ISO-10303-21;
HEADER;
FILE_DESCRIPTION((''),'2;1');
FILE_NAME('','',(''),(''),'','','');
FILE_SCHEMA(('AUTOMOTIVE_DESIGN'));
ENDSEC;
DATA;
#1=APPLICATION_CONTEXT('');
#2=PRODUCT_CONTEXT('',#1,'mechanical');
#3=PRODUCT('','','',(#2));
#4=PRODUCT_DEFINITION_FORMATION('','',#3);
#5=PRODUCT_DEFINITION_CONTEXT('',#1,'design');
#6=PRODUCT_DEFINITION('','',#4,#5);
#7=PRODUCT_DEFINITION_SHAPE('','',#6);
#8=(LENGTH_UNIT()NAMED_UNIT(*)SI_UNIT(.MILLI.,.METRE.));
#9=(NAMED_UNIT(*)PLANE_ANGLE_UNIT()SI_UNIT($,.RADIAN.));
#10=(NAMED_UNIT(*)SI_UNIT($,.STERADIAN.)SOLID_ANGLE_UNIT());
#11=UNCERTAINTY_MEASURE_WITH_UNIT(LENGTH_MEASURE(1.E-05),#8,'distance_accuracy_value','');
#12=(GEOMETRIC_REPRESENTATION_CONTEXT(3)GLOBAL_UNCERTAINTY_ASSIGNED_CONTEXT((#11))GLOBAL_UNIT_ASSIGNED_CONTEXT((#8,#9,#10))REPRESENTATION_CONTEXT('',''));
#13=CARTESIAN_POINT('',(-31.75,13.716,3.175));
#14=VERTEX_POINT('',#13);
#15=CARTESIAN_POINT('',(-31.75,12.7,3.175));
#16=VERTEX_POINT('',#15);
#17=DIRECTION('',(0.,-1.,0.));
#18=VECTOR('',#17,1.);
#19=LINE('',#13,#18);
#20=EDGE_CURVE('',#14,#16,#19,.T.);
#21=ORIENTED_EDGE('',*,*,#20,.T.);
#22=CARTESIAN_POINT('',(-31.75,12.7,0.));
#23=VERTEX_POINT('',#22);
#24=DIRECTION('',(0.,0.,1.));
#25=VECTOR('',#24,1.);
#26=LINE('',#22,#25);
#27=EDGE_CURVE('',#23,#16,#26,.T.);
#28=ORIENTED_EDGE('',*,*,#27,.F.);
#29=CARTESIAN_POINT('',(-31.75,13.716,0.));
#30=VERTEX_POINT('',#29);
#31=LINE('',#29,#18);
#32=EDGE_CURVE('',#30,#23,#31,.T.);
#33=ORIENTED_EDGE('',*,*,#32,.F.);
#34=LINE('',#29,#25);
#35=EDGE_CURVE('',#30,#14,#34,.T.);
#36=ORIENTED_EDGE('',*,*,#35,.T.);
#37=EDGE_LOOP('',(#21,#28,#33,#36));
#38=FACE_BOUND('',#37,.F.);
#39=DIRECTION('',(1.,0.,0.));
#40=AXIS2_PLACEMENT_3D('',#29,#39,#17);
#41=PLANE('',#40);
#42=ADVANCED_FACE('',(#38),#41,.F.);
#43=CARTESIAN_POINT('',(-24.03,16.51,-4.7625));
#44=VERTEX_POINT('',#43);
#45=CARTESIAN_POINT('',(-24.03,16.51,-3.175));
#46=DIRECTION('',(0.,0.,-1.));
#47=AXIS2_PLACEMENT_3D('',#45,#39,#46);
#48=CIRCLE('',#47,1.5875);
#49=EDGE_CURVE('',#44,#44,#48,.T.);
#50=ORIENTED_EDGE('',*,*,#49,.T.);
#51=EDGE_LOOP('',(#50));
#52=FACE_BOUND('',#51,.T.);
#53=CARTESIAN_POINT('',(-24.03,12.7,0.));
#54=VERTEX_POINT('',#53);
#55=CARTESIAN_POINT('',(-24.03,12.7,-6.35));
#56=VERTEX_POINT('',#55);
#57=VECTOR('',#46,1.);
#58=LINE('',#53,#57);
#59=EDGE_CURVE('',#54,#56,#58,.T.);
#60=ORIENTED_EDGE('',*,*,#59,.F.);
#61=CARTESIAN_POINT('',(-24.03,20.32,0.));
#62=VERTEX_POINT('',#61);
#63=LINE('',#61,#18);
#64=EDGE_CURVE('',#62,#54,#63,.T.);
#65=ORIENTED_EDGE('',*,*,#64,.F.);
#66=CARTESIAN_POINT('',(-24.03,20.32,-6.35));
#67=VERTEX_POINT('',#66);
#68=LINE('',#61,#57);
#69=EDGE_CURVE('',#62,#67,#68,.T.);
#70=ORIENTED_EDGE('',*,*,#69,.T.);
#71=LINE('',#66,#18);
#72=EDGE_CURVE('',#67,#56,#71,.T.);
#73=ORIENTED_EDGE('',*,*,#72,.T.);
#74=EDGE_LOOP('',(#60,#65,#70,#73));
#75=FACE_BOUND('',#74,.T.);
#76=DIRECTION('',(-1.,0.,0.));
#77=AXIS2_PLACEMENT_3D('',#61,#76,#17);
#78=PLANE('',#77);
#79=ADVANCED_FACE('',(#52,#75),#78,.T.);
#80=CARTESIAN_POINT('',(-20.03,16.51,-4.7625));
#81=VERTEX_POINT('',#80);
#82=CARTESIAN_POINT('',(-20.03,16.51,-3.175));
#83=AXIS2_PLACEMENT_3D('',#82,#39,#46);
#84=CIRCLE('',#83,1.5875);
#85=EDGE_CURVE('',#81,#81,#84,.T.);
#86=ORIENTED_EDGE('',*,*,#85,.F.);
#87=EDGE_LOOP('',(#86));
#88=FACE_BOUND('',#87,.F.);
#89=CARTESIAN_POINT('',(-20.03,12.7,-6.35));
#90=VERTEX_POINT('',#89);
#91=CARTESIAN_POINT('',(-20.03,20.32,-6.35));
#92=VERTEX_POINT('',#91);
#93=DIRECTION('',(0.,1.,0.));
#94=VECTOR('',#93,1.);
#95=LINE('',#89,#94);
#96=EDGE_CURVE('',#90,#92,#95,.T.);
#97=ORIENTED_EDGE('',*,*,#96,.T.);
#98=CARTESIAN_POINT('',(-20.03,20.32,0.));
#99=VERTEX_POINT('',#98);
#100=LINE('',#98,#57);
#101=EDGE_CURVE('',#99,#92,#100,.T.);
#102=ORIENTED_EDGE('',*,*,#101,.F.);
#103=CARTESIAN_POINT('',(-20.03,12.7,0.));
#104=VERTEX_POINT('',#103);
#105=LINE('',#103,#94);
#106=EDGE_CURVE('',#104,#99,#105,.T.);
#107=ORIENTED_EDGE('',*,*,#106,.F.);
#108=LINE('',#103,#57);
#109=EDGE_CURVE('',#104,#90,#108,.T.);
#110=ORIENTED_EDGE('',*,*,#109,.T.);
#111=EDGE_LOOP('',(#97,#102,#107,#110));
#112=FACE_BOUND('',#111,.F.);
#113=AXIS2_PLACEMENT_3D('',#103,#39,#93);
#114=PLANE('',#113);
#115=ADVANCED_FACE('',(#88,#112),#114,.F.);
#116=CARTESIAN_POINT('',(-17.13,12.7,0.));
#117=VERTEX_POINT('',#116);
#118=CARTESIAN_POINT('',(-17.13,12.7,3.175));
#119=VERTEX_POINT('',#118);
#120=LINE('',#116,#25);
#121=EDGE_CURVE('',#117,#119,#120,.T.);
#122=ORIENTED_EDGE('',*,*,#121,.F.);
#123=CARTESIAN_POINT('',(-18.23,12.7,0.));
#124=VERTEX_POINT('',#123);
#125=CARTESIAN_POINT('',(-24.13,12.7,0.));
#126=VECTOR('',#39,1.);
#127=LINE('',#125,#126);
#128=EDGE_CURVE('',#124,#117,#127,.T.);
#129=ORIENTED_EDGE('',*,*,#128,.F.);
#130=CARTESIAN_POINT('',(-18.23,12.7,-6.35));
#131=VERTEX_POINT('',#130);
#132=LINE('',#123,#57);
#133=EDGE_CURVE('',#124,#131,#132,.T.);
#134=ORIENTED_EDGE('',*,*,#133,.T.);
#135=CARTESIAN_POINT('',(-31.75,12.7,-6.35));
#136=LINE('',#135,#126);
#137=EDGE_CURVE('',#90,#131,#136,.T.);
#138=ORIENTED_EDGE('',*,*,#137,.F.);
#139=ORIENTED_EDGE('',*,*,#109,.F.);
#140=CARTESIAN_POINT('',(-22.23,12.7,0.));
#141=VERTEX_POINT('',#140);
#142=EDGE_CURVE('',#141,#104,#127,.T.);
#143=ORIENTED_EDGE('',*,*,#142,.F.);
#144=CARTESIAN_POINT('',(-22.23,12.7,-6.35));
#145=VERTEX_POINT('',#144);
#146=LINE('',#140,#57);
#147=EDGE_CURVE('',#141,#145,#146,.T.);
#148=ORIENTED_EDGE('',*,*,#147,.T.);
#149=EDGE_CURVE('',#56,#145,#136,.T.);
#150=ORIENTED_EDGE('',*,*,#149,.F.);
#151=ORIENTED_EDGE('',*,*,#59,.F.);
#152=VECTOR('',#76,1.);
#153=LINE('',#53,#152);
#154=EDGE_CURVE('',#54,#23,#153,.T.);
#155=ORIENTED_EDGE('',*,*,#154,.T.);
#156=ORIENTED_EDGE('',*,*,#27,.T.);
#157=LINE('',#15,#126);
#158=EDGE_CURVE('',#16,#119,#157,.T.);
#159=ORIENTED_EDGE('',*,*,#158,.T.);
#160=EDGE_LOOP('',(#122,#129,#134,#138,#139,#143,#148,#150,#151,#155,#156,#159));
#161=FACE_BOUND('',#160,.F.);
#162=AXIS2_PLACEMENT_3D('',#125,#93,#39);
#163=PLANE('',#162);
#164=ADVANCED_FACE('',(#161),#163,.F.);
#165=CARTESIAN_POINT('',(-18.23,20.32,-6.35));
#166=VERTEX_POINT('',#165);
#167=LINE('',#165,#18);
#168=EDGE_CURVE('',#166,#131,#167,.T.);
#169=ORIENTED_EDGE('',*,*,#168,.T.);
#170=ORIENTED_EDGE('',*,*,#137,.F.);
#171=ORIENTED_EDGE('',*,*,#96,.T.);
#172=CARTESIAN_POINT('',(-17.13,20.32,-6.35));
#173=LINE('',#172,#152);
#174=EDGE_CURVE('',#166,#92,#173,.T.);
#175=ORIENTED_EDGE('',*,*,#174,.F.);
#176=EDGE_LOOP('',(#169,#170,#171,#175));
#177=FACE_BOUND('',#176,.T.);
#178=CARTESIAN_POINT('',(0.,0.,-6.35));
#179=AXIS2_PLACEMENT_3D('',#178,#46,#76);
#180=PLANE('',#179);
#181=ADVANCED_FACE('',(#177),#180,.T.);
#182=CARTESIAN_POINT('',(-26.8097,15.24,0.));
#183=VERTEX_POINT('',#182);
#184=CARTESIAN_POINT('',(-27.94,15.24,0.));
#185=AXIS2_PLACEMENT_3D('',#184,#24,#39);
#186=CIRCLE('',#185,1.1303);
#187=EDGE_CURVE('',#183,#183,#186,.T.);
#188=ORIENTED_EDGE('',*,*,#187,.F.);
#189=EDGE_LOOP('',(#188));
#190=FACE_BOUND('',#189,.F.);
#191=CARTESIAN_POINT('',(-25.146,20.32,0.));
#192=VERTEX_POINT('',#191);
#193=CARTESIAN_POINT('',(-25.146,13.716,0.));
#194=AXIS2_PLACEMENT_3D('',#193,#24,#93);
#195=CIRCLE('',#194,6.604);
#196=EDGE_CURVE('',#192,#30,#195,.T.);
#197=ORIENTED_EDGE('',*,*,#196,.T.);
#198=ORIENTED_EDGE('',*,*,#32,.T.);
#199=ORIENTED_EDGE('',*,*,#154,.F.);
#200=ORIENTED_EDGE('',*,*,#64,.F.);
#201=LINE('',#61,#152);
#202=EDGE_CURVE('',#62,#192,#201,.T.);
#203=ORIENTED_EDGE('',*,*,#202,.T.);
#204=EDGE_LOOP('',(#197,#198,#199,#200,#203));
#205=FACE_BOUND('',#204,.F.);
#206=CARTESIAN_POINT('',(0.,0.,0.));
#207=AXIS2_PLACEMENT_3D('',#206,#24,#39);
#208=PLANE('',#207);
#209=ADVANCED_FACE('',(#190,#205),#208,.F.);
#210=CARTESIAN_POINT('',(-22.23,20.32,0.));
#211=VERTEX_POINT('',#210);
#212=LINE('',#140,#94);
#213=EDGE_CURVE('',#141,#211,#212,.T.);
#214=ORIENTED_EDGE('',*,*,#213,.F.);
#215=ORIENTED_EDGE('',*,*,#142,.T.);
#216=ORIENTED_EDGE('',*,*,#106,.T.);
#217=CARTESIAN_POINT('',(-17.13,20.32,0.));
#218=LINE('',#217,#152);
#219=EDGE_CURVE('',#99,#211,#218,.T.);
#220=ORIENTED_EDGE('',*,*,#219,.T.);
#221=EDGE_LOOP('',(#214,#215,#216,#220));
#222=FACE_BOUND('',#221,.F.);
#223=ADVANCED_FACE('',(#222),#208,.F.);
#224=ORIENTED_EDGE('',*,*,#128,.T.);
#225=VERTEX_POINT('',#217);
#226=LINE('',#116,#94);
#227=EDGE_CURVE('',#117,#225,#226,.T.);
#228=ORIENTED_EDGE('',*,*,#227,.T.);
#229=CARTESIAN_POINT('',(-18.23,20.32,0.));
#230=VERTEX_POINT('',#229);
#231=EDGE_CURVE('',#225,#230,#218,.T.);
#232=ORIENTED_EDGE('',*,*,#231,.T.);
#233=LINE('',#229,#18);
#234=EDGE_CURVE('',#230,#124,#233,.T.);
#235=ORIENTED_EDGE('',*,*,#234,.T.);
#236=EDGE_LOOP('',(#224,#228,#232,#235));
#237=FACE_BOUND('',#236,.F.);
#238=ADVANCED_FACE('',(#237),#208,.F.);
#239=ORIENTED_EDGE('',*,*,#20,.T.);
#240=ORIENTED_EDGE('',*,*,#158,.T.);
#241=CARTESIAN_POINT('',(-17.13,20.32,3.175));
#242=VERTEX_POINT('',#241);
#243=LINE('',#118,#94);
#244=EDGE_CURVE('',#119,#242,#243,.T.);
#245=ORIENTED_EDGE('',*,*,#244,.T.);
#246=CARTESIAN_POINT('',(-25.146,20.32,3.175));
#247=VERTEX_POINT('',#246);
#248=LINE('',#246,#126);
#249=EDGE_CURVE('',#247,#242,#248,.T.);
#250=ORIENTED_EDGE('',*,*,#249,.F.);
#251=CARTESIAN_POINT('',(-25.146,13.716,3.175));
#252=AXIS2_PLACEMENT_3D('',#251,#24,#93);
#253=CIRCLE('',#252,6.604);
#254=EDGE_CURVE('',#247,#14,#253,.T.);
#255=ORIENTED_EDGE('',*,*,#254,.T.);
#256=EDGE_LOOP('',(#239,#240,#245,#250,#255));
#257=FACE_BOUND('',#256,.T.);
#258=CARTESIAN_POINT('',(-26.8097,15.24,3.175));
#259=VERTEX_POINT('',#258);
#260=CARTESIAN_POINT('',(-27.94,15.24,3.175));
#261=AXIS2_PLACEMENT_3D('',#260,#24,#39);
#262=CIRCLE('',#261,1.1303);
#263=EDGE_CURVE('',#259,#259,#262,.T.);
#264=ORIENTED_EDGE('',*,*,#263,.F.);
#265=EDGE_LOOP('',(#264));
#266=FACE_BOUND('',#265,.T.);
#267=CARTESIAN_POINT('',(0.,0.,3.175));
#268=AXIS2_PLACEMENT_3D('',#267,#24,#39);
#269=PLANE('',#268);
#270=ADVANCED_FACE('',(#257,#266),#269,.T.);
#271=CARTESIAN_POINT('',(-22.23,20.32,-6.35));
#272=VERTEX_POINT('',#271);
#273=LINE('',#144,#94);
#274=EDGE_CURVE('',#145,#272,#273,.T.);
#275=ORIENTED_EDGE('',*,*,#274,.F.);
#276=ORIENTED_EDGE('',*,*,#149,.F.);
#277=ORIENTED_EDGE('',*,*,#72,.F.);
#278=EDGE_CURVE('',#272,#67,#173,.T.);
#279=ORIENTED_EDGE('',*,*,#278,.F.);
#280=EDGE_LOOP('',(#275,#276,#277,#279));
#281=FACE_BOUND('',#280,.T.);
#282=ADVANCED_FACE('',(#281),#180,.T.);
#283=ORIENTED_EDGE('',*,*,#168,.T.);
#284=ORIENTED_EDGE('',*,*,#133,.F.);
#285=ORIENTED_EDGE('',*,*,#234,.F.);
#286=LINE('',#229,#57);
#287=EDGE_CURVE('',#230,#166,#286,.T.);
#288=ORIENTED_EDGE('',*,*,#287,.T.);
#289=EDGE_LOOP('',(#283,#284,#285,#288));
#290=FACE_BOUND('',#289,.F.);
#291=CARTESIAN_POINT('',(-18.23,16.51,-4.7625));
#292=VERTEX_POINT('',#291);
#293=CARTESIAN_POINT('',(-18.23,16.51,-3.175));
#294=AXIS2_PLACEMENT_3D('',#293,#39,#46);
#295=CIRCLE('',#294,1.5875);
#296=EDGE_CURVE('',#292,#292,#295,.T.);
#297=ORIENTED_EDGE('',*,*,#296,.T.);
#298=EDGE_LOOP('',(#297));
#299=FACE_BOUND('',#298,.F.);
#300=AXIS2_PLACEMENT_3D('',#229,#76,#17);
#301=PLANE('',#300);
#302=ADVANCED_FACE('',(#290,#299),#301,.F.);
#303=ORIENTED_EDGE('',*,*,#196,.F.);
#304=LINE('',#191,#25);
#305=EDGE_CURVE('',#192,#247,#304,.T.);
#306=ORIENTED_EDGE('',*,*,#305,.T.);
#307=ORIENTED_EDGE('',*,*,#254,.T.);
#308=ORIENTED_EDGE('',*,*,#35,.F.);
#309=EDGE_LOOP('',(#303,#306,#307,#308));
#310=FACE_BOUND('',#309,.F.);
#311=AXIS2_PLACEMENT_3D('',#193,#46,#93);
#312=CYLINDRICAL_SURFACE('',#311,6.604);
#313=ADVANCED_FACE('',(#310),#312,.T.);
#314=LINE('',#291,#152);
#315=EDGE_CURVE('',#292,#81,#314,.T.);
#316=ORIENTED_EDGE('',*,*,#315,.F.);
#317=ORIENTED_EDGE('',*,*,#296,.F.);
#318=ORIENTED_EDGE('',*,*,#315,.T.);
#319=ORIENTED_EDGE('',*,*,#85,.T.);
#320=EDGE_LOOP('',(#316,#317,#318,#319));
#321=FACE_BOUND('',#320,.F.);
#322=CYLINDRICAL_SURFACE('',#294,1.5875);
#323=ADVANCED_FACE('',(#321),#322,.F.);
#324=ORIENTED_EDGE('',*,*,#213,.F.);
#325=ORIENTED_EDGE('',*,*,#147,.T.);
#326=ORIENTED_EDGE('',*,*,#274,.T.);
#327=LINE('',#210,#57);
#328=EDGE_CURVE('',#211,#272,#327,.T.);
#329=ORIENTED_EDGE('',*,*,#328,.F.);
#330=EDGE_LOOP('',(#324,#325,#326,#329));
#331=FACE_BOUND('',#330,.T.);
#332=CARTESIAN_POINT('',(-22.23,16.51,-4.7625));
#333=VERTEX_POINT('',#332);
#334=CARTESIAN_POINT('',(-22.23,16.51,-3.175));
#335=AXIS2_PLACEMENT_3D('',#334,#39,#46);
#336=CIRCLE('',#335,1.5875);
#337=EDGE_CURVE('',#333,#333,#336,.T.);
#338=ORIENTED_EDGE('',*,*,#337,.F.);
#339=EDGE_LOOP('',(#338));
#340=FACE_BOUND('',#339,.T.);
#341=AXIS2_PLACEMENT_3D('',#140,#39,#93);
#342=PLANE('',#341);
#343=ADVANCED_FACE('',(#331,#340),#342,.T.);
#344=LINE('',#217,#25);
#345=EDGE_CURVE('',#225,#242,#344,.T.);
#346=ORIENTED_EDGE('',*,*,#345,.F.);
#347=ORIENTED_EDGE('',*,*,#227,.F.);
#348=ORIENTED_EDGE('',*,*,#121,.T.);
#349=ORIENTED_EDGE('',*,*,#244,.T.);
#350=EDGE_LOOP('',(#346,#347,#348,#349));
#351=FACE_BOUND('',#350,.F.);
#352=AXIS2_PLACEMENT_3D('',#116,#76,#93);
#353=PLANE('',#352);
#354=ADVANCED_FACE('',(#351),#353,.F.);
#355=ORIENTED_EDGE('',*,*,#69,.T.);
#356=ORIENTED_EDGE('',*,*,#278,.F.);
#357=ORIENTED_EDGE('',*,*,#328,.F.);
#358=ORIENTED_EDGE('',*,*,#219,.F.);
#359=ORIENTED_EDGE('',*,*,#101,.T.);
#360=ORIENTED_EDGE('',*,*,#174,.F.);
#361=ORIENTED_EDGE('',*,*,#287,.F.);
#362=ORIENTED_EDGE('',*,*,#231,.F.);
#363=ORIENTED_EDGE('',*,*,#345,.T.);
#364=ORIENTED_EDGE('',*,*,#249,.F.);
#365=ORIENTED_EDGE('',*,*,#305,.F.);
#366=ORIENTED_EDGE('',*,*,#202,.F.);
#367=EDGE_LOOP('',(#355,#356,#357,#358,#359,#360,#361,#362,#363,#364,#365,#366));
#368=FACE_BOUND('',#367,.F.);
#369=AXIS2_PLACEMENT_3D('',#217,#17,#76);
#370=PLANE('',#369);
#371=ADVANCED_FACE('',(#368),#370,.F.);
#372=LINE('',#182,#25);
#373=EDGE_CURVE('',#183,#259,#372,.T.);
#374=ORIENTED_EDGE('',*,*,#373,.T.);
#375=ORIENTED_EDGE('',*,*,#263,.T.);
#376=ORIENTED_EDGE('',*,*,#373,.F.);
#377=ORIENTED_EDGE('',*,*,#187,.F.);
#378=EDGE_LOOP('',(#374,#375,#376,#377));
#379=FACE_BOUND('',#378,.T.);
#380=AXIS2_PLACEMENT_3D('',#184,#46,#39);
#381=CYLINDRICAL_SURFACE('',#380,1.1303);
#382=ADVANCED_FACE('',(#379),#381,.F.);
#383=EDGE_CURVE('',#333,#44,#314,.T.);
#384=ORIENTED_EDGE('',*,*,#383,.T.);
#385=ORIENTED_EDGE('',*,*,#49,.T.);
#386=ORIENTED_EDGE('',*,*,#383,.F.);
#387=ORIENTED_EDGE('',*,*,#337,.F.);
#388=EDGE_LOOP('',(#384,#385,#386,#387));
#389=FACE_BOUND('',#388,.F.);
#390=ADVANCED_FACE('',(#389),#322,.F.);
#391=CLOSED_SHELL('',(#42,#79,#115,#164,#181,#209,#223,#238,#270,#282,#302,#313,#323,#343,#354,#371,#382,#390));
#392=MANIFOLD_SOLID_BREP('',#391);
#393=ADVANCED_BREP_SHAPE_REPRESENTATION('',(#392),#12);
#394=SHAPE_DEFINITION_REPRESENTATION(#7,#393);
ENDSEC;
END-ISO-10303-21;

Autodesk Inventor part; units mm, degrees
ref_plane "YZ Plane" through (0, 0, 0) normal (1, 0, 0) x (0, 1, 0)
ref_plane "XZ Plane" through (0, 0, 0) normal (0, 1, 0) x (-1, 0, 0)
ref_plane "XY Plane" through (0, 0, 0) normal (0, 0, 1) x (1, 0, 0)
ref_plane "Work Plane2" through (0, 0, 0) normal (0, 0, 1) x (1, 0, 0)
sketch "Sketch3" plane through (0, 0, 0) normal (0, 0, 1) x (1, 0, 0)
  line L0 (-24.13, 20.32) -> (-25.146, 20.32) projected
  arc A0 (-25.146, 20.32) -> (-31.75, 13.716) centre (-25.146, 13.716) ccw projected
  line L1 (-31.75, 13.716) -> (-31.75, 6.096) projected
  arc A1 (-25.146, 12.7) -> (-31.75, 6.096) centre (-25.146, 6.096) ccw projected
  line L2 (-24.13, 12.7) -> (-25.146, 12.7) projected
  line L3 (-24.13, 20.32) -> (-24.13, 12.7) construction
  circle A2 centre (-27.94, 15.24) radius 1.1303 projected
  line L4 (-24.13, 12.7) -> (-17.13, 12.7)
  line L5 (-17.13, 12.7) -> (-17.13, 20.32)
  line L6 (-17.13, 20.32) -> (-24.13, 20.32)
  line L7 (-24.13, 20.32) -> (-24.13, 20.2414)
  line L8 (-24.13, 12.7) -> (-31.75, 12.7)
  point P0 (0, 0)
  dimension "d0" = 7
extrude "Extrusion1" add sketch "Sketch3" along normal blind 3.175 contours L6 L5 L4 L2 L8 L1 A0 L0
sketch "Sketch4" plane through (0, 0, 0) normal (0, 0, -1) x (-1, 0, 0)
  line L0 (20.13, 20.32) -> (20.13, 12.7) construction
  line L1 (22.13, 12.7) -> (22.13, 20.32) construction
  line L2 (17.13, 20.32) -> (25.146, 20.32) projected
  line L3 (31.75, 12.7) -> (17.13, 12.7) projected
  line L4 (20.03, 20.32) -> (18.23, 20.32)
  line L5 (18.23, 20.32) -> (18.23, 12.7)
  line L6 (18.23, 12.7) -> (20.03, 12.7)
  line L7 (20.03, 12.7) -> (20.03, 20.32)
  line L8 (22.23, 20.32) -> (24.03, 20.32)
  line L9 (24.03, 20.32) -> (24.03, 12.7)
  line L10 (24.03, 12.7) -> (22.23, 12.7)
  line L11 (22.23, 12.7) -> (22.23, 20.32)
  line L12 (24.13, 20.32) -> (24.13, 12.7) construction
  point P0 (0, 0)
  dimension "d3" = 0.1
  dimension "d4" = 0.1
  dimension "d6" = 0.1
extrude "Extrusion2" add sketch "Sketch4" along normal blind 6.35 contours L2 L7 L3 L5 | L2 L9 L3 L11
sketch "Sketch5" plane through (-18.23, 12.7, 0) normal (1, 0, 0) x (0, 0, -1)
  line L0 (0, 1.016) -> (0, 0) projected
  line L1 (6.35, 0) -> (6.35, 7.62) projected
  line L2 (0, 0) -> (6.35, 7.62) construction
  circle A0 centre (3.175, 3.81) radius 1.5875
  point P0 (0, -12.7)
  dimension "d9" = 3.175
extrude "Extrusion3" cut sketch "Sketch5" against normal blind 9.75
properties part number "adapter2"
